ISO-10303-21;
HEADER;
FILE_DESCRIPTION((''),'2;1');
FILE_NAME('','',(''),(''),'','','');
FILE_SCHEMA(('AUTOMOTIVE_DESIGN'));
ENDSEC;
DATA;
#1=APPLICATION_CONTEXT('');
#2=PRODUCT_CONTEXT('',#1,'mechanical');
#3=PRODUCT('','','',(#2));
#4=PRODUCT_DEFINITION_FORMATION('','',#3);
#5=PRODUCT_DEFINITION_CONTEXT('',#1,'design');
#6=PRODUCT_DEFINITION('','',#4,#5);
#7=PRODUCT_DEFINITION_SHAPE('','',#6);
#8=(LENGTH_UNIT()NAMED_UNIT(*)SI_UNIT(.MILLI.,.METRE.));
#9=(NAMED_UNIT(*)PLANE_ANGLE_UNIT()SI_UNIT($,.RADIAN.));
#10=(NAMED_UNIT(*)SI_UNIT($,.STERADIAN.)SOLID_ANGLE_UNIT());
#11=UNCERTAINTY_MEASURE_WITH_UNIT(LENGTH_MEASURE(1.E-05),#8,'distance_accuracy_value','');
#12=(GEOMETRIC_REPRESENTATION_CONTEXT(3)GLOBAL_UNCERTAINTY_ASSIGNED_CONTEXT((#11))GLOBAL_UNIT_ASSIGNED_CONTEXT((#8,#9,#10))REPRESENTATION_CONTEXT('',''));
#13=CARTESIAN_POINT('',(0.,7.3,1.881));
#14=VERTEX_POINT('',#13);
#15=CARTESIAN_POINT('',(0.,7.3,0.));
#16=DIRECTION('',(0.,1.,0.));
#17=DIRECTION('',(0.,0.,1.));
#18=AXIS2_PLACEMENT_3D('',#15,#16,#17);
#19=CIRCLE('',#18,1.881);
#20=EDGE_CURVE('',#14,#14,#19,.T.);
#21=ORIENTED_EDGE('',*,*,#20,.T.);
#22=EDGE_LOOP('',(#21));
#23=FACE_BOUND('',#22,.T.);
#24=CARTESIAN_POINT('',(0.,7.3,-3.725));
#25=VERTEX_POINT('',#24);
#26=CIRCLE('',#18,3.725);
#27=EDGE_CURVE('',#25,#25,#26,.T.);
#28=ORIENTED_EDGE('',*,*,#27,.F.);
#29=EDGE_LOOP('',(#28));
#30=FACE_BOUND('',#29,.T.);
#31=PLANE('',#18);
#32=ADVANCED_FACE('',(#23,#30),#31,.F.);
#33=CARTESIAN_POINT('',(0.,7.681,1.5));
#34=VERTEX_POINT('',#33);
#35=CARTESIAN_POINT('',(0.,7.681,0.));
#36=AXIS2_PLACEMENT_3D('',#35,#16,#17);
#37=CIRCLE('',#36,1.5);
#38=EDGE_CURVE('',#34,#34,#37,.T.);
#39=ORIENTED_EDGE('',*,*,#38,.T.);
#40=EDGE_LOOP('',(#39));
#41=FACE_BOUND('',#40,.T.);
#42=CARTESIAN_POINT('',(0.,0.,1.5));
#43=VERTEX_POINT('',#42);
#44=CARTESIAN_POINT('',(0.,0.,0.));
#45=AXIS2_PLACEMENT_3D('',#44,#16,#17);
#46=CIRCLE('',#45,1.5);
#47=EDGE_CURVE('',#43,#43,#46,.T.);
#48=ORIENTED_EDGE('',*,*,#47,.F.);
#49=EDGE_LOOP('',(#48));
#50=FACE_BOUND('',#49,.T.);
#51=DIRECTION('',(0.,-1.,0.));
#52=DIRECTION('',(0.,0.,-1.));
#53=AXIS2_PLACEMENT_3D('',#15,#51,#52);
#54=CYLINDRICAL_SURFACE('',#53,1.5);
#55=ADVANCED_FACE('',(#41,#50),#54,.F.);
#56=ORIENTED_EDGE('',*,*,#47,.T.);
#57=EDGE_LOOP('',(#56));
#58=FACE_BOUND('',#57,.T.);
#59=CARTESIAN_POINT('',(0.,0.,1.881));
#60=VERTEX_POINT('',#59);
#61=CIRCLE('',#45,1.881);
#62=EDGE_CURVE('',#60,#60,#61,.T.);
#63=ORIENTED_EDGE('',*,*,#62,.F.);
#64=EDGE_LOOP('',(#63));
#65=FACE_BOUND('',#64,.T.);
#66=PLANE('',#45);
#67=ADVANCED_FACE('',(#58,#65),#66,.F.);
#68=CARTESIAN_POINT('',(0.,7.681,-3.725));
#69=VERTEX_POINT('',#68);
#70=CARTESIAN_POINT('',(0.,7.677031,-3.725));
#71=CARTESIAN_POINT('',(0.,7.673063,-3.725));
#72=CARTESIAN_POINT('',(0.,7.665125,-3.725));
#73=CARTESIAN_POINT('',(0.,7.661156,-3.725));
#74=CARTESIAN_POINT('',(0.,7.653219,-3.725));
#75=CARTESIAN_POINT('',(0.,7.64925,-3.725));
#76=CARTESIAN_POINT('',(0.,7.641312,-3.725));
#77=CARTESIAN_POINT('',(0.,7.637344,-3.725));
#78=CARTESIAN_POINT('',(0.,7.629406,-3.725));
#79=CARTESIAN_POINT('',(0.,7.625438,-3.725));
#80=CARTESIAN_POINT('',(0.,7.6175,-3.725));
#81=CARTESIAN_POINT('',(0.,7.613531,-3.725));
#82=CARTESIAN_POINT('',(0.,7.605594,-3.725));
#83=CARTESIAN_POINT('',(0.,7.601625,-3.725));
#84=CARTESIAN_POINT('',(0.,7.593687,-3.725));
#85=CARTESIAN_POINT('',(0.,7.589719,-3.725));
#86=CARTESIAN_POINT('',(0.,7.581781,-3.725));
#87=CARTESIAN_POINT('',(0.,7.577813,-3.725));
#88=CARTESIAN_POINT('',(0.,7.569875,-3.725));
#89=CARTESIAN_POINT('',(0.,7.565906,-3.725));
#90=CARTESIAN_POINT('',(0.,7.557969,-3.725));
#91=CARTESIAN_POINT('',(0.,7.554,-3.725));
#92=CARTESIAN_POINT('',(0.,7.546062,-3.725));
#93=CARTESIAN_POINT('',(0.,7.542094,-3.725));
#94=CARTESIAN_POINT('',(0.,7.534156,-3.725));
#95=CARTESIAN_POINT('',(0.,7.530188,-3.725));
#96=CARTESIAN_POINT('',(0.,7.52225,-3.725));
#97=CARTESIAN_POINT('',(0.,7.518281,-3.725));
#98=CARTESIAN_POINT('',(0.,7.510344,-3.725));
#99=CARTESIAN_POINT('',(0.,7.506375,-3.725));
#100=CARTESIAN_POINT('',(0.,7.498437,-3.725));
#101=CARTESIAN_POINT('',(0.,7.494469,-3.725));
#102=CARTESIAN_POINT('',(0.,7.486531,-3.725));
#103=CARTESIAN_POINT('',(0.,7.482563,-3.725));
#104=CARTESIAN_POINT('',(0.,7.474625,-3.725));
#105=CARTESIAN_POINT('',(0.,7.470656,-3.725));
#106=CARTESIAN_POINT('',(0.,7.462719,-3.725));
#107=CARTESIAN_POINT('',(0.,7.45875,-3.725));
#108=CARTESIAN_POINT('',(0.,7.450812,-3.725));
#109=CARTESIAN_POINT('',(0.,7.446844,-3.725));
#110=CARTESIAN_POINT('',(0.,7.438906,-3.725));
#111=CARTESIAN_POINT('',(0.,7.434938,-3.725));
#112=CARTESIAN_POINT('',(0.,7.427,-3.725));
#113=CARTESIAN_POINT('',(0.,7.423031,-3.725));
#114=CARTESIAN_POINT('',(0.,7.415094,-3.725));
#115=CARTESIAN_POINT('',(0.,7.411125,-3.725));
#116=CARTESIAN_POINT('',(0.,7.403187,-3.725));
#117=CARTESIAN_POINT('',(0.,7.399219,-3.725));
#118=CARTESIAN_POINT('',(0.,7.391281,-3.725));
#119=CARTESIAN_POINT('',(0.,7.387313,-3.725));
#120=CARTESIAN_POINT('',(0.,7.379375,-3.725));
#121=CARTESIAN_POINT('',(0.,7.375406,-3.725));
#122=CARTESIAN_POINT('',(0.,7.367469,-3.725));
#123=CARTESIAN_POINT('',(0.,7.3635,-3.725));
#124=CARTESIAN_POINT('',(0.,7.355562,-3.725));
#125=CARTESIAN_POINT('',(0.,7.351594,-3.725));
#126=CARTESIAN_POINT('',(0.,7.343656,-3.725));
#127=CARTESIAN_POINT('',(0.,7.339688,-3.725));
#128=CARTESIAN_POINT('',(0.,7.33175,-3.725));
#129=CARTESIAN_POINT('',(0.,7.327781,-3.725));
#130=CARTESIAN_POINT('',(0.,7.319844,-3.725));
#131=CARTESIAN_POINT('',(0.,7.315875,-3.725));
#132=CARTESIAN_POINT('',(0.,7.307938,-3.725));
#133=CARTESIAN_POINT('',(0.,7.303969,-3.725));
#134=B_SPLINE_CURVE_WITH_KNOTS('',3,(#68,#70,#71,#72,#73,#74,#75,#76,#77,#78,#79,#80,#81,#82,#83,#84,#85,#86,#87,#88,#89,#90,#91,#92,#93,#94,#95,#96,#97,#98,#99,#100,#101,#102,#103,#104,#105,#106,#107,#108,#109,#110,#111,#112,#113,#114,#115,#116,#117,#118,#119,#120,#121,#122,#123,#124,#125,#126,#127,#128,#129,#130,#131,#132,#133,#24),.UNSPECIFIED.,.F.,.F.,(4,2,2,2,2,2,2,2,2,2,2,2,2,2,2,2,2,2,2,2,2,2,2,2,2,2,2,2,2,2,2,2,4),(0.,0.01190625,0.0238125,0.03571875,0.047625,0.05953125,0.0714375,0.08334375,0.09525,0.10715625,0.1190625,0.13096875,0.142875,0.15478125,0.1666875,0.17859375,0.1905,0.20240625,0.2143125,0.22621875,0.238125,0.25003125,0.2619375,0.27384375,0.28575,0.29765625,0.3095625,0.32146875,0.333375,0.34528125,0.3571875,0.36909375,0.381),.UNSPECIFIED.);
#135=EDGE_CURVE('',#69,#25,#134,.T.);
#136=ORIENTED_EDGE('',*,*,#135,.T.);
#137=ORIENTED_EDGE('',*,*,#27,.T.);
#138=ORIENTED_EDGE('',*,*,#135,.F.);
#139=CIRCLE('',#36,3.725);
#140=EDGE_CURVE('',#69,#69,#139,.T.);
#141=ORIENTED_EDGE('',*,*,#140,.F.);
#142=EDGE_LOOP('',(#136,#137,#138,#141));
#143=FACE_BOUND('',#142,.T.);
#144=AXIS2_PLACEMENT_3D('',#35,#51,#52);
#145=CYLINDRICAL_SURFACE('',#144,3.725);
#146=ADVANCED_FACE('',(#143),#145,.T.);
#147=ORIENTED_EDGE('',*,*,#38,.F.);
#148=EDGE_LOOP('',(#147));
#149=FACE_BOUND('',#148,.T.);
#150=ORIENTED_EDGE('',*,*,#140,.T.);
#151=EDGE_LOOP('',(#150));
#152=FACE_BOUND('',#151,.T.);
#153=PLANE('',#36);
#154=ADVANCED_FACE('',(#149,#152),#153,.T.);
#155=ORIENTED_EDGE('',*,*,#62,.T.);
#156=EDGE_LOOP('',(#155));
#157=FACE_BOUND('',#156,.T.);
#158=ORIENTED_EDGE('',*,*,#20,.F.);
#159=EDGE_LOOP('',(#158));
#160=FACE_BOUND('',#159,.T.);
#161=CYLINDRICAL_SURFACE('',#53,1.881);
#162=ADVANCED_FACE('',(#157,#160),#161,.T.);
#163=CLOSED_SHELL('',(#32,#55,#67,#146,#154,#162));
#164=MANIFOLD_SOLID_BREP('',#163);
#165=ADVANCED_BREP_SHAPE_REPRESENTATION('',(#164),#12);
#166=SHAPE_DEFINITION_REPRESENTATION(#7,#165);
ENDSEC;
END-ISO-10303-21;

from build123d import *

# Parameters (mm, degrees)
SKETCH1_R           = 1.881
SKETCH1_R_2         = 1.5
BOSS_EXTRUDE1_DEPTH = 7.3
SKETCH2_R           = 3.725
SKETCH2_R_2         = 1.5
BOSS_EXTRUDE2_DEPTH = 0.381


with BuildPart() as part:
    # Sketch1 → Boss-Extrude1 (new body)
    with BuildSketch(Plane(origin=(0, 0, 0), x_dir=(1, 0, 0), z_dir=(0, 1, 0))):
        with Locations(Location((0, 0, 0), (0, 0, 270))):
            Circle(SKETCH1_R)
        with Locations(Location((0, 0, 0), (0, 0, 270))):
            Circle(SKETCH1_R_2, mode=Mode.SUBTRACT)
    extrude(amount=BOSS_EXTRUDE1_DEPTH)

    # Sketch2 → Boss-Extrude2 (add)
    with BuildSketch(Plane(origin=(0, 7.3, 0), x_dir=(-1, 0, 0), z_dir=(0, 1, 0))):
        with Locations(Location((0, 0, 0), (0, 0, 270))):
            Circle(SKETCH2_R)
        with Locations(Location((0, 0, 0), (0, 0, 90))):
            Circle(SKETCH2_R_2, mode=Mode.SUBTRACT)
    extrude(amount=BOSS_EXTRUDE2_DEPTH)


solid = part.part
